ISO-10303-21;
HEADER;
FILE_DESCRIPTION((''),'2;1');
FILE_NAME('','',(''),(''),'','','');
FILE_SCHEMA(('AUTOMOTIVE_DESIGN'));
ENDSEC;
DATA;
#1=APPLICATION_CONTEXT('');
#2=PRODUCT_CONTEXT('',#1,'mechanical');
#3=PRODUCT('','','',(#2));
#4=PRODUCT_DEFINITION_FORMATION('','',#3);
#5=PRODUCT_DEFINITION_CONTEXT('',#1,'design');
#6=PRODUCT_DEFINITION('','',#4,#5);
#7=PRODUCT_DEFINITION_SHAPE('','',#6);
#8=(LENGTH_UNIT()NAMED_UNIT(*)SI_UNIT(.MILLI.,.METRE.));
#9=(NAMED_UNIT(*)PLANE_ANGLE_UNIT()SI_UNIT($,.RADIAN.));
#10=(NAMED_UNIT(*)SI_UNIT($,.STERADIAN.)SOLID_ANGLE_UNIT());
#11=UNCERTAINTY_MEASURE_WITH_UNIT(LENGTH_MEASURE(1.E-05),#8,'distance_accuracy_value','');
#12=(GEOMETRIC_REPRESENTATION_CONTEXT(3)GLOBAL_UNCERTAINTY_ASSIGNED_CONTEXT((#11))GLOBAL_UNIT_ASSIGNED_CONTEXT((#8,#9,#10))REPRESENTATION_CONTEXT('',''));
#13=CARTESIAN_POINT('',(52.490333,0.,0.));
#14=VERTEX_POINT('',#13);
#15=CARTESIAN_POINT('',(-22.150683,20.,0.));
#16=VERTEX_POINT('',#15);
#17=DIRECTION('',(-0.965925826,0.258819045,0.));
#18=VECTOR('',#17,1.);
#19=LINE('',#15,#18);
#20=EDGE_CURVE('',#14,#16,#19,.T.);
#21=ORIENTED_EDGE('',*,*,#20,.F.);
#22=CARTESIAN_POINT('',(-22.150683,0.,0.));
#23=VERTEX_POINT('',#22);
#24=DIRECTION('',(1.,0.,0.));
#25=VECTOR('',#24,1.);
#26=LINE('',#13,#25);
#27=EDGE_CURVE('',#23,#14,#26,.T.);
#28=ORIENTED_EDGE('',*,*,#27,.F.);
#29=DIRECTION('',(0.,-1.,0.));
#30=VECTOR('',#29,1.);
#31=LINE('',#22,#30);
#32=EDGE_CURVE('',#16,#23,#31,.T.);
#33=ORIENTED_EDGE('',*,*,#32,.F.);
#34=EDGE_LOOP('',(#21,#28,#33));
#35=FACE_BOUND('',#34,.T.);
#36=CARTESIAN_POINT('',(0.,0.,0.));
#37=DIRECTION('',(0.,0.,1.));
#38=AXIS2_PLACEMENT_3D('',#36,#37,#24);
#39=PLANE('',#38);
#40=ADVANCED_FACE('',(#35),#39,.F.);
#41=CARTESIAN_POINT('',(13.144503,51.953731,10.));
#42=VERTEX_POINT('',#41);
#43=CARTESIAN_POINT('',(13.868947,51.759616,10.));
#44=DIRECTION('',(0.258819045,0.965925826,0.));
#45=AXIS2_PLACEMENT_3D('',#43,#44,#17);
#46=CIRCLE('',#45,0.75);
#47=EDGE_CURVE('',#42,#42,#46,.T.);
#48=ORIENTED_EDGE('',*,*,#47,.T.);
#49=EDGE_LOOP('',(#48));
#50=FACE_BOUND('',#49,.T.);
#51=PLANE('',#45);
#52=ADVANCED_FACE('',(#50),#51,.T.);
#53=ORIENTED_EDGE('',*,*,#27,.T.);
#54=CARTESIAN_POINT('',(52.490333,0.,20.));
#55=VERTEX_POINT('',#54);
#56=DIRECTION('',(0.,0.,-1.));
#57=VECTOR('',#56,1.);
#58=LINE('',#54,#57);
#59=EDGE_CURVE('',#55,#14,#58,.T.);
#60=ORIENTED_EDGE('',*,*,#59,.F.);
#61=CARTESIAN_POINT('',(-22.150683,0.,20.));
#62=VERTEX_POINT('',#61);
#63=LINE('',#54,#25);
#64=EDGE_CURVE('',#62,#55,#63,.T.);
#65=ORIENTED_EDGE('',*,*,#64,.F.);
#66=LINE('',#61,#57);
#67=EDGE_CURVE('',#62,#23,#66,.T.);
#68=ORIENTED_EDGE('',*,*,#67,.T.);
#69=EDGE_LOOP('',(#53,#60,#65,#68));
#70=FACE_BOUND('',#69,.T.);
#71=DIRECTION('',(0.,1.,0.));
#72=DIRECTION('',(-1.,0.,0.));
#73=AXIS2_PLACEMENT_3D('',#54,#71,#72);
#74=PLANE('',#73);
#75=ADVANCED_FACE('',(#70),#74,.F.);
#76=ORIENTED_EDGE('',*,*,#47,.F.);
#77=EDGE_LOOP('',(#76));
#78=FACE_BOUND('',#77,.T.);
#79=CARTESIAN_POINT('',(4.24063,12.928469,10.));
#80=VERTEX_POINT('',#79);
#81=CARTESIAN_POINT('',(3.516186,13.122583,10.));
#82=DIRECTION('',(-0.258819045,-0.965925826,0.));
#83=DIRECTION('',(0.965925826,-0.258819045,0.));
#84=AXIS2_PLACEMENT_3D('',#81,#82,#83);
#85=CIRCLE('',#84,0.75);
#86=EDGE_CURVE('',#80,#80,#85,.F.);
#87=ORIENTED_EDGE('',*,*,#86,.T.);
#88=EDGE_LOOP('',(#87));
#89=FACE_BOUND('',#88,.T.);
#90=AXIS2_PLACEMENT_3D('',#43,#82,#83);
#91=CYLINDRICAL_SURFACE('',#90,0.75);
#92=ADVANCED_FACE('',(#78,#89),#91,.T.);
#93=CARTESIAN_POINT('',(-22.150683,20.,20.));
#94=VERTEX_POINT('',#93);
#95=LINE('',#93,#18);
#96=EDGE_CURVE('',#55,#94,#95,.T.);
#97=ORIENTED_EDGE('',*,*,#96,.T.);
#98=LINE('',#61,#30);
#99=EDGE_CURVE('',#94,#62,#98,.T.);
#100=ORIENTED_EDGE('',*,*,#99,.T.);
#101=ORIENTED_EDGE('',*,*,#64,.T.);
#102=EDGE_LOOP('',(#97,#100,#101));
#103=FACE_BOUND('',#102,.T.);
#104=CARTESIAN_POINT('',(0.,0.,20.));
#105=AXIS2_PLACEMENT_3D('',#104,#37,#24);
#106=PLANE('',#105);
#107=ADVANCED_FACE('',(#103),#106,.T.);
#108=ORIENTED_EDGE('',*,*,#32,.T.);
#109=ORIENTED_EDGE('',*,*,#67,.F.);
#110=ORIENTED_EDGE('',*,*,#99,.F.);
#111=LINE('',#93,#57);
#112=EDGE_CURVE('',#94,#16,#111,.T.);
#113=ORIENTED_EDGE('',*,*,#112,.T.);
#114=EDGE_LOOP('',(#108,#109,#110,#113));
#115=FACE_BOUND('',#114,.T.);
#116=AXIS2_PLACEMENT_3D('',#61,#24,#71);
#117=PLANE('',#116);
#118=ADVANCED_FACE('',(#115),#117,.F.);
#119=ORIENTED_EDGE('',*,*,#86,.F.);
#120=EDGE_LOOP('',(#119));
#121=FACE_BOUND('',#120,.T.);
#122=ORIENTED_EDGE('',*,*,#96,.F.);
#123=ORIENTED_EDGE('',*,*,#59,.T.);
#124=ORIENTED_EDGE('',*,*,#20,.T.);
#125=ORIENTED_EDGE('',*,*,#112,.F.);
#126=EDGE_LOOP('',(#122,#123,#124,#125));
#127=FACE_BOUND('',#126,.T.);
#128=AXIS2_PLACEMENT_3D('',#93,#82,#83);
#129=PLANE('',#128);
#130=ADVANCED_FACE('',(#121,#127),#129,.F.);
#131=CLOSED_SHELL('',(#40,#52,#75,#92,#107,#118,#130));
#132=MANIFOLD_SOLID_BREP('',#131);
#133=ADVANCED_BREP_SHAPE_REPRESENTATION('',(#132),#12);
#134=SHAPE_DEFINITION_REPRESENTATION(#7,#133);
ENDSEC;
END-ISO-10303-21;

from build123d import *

# Parameters (mm, degrees)
BOSS_EXTRUDE1_DEPTH = 20
SKETCH2_R           = 0.75
BOSS_EXTRUDE2_DEPTH = 40


with BuildPart() as part:
    # Sketch1 → Boss-Extrude1 (new body)
    with BuildSketch(Plane.XY):
        Polygon((-22.150682767, 20), (52.490333384, 0), (-22.150682767, 0), align=None)
    extrude(amount=BOSS_EXTRUDE1_DEPTH)

    # Sketch2 → Boss-Extrude2 (add)
    with BuildSketch(Plane(origin=(3.51618561, 13.122583346, 0), x_dir=(0.96592582628907, -0.25881904510251424, 0), z_dir=(0.2588190451025143, 0.9659258262890701, 0))):
        with Locations((0, -10)):
            Circle(SKETCH2_R)
    extrude(amount=BOSS_EXTRUDE2_DEPTH)


solid = part.part
